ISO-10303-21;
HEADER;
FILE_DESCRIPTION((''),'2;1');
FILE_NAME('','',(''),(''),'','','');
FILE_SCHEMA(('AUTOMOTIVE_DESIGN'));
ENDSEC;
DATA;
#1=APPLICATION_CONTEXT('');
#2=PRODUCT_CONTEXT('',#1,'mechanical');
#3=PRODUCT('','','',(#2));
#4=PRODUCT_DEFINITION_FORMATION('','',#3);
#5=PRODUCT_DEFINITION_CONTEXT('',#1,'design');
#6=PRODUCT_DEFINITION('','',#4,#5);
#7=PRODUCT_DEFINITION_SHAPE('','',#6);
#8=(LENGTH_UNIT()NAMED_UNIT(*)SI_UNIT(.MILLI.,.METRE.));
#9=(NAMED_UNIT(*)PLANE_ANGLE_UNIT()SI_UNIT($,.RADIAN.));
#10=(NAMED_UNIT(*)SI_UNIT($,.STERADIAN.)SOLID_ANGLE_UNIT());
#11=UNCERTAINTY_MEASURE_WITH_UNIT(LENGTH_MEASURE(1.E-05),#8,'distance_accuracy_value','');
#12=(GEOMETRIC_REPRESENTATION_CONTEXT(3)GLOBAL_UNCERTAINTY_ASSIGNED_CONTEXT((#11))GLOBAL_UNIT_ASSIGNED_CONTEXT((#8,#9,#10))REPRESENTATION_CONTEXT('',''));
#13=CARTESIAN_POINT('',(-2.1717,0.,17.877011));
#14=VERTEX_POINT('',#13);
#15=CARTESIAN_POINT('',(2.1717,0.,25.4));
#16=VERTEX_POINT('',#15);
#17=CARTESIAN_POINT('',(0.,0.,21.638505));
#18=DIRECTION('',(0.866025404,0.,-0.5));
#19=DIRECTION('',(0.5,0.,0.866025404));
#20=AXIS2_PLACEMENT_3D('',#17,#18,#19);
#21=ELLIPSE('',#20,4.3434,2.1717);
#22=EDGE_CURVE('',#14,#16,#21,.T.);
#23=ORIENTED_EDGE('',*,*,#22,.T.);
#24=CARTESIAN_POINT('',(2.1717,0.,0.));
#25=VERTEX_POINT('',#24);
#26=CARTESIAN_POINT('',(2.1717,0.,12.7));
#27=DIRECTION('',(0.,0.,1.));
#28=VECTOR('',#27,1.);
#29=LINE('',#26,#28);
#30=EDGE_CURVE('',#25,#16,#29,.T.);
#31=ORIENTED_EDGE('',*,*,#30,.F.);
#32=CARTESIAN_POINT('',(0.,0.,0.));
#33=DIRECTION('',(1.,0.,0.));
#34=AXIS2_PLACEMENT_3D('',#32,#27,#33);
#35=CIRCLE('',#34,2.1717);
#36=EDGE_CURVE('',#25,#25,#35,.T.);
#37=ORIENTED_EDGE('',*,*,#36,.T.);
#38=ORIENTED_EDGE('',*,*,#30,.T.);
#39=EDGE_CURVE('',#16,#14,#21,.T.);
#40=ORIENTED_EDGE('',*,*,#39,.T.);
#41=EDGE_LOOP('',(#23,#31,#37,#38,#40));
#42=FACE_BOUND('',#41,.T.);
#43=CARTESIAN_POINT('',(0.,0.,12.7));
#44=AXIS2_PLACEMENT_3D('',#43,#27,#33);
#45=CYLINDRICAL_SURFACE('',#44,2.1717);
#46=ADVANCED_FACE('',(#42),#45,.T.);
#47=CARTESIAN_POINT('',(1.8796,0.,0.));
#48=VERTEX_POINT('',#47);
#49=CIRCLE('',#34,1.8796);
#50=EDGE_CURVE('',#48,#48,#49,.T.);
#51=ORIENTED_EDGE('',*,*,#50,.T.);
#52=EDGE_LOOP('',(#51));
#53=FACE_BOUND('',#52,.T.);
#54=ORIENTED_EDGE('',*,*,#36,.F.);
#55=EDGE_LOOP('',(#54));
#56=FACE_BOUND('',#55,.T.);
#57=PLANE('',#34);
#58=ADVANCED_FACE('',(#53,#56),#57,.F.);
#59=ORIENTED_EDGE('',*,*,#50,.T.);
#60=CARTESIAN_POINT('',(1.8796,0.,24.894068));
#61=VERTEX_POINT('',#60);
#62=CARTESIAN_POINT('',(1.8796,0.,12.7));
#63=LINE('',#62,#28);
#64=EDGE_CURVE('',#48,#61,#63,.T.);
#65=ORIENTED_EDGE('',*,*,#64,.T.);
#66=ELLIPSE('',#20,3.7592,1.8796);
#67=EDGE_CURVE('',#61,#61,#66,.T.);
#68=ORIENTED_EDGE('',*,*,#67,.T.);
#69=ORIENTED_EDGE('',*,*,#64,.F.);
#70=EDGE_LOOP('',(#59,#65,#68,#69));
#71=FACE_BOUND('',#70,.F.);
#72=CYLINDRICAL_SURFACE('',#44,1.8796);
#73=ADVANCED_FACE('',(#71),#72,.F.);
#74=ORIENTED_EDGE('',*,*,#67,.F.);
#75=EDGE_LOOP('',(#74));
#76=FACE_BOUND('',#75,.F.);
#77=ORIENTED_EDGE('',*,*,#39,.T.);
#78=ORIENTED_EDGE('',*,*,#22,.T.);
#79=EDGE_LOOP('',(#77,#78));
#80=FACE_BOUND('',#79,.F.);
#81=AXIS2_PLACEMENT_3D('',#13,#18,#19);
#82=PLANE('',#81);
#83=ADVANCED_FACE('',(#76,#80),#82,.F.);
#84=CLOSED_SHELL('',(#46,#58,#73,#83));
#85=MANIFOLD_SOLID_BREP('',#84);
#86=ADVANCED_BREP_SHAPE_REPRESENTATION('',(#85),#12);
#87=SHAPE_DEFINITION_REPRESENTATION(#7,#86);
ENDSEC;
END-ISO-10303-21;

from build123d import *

# Parameters (mm, degrees)
F0_W     = 0.2921
F0_H     = 25.4
F3_DEPTH = 12.7


with BuildPart() as f1:
    # F0 (on Front) → F1 (revolve)
    with BuildSketch(Plane.XZ):
        with Locations((2.02565, 12.7)):
            Rectangle(F0_W, F0_H)
    revolve(axis=Axis((0, 0, 12.7), (0, 0, 1)))

    # F2 (on Front) → F3 (cut, symmetric)
    with BuildSketch(Plane.XZ):
        Polygon((-2.1717, 25.4), (2.1717, 25.4), (2.1717, 27.94), (-4.7117, 27.94), (-4.7117, 17.8770105224), (-2.1717, 17.8770105224), align=None)
        Polygon((-2.1717, 17.8770105224), (2.1717, 25.4), (-2.1717, 25.4), align=None)
    extrude(amount=F3_DEPTH, both=True, mode=Mode.SUBTRACT)


solid = f1.part
